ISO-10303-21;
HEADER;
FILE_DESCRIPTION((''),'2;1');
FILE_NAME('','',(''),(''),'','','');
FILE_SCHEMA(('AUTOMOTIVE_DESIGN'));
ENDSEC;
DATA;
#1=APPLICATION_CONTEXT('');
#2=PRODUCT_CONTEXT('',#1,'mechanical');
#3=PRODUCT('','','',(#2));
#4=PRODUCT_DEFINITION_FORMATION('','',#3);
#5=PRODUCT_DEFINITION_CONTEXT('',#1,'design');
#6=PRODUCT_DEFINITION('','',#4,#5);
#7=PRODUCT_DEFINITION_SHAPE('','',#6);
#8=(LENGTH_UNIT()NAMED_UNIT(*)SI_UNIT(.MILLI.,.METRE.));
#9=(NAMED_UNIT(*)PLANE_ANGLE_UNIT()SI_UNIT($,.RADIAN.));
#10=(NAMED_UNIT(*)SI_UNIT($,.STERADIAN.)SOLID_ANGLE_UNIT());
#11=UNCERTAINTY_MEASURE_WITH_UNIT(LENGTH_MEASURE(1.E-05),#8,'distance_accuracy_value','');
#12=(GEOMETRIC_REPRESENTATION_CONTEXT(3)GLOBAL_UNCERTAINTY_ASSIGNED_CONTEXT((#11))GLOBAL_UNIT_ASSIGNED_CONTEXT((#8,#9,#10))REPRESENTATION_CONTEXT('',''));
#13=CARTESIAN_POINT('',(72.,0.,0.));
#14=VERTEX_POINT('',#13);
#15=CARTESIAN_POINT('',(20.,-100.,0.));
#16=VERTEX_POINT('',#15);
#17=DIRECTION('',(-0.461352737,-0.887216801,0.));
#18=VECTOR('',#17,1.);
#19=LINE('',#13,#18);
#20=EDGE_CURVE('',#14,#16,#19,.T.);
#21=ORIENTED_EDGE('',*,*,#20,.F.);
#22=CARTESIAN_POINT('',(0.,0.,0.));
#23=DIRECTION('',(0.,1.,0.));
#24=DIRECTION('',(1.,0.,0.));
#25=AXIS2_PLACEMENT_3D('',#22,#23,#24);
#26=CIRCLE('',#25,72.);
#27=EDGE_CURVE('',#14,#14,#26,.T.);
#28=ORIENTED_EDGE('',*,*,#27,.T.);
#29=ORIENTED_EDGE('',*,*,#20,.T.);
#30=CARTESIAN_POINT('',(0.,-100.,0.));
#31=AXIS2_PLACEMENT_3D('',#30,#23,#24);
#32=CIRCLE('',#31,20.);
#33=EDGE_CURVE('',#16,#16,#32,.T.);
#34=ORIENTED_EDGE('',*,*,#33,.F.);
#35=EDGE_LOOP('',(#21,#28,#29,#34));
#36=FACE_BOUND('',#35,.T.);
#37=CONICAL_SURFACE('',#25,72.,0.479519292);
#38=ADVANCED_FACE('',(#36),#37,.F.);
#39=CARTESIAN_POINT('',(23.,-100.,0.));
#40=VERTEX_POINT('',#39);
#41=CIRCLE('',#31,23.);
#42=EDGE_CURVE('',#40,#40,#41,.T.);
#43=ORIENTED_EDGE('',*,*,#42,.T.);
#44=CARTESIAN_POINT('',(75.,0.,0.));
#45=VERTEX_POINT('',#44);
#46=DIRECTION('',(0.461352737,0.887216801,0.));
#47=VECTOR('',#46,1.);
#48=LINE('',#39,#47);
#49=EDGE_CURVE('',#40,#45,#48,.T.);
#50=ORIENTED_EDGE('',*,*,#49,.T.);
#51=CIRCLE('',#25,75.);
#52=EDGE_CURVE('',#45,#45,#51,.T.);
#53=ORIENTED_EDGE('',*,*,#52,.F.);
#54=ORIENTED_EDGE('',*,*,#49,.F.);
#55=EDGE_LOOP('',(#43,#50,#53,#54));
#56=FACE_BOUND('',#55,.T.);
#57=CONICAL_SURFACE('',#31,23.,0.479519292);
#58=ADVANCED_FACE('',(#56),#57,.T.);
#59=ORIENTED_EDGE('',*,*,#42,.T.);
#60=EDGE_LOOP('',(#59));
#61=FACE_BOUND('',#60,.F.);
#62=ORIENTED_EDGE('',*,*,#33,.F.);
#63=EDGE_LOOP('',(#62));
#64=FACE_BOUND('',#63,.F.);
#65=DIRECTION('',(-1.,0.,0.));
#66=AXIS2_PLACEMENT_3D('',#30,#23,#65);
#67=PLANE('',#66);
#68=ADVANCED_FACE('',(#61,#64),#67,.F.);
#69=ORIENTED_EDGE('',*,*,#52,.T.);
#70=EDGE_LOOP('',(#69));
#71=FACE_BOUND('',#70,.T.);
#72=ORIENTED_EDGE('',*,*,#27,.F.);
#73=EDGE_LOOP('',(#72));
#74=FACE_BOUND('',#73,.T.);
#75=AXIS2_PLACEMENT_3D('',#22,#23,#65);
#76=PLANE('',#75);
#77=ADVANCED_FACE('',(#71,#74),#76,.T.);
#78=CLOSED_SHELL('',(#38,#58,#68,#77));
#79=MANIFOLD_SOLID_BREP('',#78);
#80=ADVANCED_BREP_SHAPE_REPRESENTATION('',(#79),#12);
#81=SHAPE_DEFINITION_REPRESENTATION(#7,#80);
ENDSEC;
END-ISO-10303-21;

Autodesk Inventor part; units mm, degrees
ref_plane "YZ Plane" through (0, 0, 0) normal (1, 0, 0) x (0, 1, 0)
ref_plane "XZ Plane" through (0, 0, 0) normal (0, 1, 0) x (-1, 0, 0)
ref_plane "XY Plane" through (0, 0, 0) normal (0, 0, 1) x (1, 0, 0)
sketch "Sketch1" plane through (0, 0, 0) normal (0, 1, 0) x (-1, 0, 0)
  circle A0 centre (0, 0) radius 75
  dimension "d0" = 150
extrude "Extrusion1" add sketch "Sketch1" against normal blind 100
sketch "Sketch2" plane through (0, 0, 0) normal (0, 1, 0) x (1, 0, 0)
  circle A0 centre (0, 0) radius 72
  dimension "d3" = 144
sketch "Sketch4" plane through (0, 0, 0) normal (0, 0, 1) x (1, 0, 0)
  line L0 (-75, -100) -> (75, -100) projected
  line L1 (0, -100) -> (23, -100)
  line L2 (75, 0) -> (-75, 0) projected
  line L3 (23, -100) -> (75, 0)
  line L4 (75, 0) -> (23, -100)
  line L5 (23, -100) -> (75, 0)
  line L6 (75, 0) -> (23, -100)
  line L7 (0, -100) -> (-23, -100)
  line L8 (-75, 0) -> (-23, -100)
  line L9 (75, 0) -> (75, -100)
  line L10 (23, -100) -> (75, -100)
  line L11 (0, -120) -> (0, 20) projected
  line L12 (75, 0) -> (72, 0)
  line L13 (72, 0) -> (20, -100)
  line L14 (20, -100) -> (0, -100)
  line L15 (0, -100) -> (0, 0)
  line L16 (0, 0) -> (72, 0)
  dimension "d5" = 23
  dimension "d10" = 23
  dimension "d14" = 3
sketch "Sketch7" plane through (0, 0, 0) normal (1, 0, 0) x (0, 1, 0)
  line L0 (0, -75) -> (0, 75) projected
  line L1 (0, 75) -> (-100, 75)
  line L2 (0, 75) -> (-100, 75) projected
  line L3 (-100, 75) -> (-100, -75) projected
  line L4 (-100, 75) -> (-100, 20)
  point P0 (0, 0)
  dimension "d9" = 100
sketch "Sketch11" plane through (0, -100, 0) normal (0, -1, 0) x (1, 0, 0)
  circle A0 centre (0, 0) radius 20
  circle A1 centre (0, 0) radius 23
  dimension "d11" = 40
  dimension "d12" = 46
revolve "Revolution3" cut sketch "Sketch4" angle 360 about axis through (0, -10, 0) along (0, 1, 0) contours L3 L9 L0
revolve "Revolution4" cut sketch "Sketch4" angle 360 about axis through (0, -10, 0) along (0, 1, 0) contours L11 L2 L13 L0
properties part number "cone"
